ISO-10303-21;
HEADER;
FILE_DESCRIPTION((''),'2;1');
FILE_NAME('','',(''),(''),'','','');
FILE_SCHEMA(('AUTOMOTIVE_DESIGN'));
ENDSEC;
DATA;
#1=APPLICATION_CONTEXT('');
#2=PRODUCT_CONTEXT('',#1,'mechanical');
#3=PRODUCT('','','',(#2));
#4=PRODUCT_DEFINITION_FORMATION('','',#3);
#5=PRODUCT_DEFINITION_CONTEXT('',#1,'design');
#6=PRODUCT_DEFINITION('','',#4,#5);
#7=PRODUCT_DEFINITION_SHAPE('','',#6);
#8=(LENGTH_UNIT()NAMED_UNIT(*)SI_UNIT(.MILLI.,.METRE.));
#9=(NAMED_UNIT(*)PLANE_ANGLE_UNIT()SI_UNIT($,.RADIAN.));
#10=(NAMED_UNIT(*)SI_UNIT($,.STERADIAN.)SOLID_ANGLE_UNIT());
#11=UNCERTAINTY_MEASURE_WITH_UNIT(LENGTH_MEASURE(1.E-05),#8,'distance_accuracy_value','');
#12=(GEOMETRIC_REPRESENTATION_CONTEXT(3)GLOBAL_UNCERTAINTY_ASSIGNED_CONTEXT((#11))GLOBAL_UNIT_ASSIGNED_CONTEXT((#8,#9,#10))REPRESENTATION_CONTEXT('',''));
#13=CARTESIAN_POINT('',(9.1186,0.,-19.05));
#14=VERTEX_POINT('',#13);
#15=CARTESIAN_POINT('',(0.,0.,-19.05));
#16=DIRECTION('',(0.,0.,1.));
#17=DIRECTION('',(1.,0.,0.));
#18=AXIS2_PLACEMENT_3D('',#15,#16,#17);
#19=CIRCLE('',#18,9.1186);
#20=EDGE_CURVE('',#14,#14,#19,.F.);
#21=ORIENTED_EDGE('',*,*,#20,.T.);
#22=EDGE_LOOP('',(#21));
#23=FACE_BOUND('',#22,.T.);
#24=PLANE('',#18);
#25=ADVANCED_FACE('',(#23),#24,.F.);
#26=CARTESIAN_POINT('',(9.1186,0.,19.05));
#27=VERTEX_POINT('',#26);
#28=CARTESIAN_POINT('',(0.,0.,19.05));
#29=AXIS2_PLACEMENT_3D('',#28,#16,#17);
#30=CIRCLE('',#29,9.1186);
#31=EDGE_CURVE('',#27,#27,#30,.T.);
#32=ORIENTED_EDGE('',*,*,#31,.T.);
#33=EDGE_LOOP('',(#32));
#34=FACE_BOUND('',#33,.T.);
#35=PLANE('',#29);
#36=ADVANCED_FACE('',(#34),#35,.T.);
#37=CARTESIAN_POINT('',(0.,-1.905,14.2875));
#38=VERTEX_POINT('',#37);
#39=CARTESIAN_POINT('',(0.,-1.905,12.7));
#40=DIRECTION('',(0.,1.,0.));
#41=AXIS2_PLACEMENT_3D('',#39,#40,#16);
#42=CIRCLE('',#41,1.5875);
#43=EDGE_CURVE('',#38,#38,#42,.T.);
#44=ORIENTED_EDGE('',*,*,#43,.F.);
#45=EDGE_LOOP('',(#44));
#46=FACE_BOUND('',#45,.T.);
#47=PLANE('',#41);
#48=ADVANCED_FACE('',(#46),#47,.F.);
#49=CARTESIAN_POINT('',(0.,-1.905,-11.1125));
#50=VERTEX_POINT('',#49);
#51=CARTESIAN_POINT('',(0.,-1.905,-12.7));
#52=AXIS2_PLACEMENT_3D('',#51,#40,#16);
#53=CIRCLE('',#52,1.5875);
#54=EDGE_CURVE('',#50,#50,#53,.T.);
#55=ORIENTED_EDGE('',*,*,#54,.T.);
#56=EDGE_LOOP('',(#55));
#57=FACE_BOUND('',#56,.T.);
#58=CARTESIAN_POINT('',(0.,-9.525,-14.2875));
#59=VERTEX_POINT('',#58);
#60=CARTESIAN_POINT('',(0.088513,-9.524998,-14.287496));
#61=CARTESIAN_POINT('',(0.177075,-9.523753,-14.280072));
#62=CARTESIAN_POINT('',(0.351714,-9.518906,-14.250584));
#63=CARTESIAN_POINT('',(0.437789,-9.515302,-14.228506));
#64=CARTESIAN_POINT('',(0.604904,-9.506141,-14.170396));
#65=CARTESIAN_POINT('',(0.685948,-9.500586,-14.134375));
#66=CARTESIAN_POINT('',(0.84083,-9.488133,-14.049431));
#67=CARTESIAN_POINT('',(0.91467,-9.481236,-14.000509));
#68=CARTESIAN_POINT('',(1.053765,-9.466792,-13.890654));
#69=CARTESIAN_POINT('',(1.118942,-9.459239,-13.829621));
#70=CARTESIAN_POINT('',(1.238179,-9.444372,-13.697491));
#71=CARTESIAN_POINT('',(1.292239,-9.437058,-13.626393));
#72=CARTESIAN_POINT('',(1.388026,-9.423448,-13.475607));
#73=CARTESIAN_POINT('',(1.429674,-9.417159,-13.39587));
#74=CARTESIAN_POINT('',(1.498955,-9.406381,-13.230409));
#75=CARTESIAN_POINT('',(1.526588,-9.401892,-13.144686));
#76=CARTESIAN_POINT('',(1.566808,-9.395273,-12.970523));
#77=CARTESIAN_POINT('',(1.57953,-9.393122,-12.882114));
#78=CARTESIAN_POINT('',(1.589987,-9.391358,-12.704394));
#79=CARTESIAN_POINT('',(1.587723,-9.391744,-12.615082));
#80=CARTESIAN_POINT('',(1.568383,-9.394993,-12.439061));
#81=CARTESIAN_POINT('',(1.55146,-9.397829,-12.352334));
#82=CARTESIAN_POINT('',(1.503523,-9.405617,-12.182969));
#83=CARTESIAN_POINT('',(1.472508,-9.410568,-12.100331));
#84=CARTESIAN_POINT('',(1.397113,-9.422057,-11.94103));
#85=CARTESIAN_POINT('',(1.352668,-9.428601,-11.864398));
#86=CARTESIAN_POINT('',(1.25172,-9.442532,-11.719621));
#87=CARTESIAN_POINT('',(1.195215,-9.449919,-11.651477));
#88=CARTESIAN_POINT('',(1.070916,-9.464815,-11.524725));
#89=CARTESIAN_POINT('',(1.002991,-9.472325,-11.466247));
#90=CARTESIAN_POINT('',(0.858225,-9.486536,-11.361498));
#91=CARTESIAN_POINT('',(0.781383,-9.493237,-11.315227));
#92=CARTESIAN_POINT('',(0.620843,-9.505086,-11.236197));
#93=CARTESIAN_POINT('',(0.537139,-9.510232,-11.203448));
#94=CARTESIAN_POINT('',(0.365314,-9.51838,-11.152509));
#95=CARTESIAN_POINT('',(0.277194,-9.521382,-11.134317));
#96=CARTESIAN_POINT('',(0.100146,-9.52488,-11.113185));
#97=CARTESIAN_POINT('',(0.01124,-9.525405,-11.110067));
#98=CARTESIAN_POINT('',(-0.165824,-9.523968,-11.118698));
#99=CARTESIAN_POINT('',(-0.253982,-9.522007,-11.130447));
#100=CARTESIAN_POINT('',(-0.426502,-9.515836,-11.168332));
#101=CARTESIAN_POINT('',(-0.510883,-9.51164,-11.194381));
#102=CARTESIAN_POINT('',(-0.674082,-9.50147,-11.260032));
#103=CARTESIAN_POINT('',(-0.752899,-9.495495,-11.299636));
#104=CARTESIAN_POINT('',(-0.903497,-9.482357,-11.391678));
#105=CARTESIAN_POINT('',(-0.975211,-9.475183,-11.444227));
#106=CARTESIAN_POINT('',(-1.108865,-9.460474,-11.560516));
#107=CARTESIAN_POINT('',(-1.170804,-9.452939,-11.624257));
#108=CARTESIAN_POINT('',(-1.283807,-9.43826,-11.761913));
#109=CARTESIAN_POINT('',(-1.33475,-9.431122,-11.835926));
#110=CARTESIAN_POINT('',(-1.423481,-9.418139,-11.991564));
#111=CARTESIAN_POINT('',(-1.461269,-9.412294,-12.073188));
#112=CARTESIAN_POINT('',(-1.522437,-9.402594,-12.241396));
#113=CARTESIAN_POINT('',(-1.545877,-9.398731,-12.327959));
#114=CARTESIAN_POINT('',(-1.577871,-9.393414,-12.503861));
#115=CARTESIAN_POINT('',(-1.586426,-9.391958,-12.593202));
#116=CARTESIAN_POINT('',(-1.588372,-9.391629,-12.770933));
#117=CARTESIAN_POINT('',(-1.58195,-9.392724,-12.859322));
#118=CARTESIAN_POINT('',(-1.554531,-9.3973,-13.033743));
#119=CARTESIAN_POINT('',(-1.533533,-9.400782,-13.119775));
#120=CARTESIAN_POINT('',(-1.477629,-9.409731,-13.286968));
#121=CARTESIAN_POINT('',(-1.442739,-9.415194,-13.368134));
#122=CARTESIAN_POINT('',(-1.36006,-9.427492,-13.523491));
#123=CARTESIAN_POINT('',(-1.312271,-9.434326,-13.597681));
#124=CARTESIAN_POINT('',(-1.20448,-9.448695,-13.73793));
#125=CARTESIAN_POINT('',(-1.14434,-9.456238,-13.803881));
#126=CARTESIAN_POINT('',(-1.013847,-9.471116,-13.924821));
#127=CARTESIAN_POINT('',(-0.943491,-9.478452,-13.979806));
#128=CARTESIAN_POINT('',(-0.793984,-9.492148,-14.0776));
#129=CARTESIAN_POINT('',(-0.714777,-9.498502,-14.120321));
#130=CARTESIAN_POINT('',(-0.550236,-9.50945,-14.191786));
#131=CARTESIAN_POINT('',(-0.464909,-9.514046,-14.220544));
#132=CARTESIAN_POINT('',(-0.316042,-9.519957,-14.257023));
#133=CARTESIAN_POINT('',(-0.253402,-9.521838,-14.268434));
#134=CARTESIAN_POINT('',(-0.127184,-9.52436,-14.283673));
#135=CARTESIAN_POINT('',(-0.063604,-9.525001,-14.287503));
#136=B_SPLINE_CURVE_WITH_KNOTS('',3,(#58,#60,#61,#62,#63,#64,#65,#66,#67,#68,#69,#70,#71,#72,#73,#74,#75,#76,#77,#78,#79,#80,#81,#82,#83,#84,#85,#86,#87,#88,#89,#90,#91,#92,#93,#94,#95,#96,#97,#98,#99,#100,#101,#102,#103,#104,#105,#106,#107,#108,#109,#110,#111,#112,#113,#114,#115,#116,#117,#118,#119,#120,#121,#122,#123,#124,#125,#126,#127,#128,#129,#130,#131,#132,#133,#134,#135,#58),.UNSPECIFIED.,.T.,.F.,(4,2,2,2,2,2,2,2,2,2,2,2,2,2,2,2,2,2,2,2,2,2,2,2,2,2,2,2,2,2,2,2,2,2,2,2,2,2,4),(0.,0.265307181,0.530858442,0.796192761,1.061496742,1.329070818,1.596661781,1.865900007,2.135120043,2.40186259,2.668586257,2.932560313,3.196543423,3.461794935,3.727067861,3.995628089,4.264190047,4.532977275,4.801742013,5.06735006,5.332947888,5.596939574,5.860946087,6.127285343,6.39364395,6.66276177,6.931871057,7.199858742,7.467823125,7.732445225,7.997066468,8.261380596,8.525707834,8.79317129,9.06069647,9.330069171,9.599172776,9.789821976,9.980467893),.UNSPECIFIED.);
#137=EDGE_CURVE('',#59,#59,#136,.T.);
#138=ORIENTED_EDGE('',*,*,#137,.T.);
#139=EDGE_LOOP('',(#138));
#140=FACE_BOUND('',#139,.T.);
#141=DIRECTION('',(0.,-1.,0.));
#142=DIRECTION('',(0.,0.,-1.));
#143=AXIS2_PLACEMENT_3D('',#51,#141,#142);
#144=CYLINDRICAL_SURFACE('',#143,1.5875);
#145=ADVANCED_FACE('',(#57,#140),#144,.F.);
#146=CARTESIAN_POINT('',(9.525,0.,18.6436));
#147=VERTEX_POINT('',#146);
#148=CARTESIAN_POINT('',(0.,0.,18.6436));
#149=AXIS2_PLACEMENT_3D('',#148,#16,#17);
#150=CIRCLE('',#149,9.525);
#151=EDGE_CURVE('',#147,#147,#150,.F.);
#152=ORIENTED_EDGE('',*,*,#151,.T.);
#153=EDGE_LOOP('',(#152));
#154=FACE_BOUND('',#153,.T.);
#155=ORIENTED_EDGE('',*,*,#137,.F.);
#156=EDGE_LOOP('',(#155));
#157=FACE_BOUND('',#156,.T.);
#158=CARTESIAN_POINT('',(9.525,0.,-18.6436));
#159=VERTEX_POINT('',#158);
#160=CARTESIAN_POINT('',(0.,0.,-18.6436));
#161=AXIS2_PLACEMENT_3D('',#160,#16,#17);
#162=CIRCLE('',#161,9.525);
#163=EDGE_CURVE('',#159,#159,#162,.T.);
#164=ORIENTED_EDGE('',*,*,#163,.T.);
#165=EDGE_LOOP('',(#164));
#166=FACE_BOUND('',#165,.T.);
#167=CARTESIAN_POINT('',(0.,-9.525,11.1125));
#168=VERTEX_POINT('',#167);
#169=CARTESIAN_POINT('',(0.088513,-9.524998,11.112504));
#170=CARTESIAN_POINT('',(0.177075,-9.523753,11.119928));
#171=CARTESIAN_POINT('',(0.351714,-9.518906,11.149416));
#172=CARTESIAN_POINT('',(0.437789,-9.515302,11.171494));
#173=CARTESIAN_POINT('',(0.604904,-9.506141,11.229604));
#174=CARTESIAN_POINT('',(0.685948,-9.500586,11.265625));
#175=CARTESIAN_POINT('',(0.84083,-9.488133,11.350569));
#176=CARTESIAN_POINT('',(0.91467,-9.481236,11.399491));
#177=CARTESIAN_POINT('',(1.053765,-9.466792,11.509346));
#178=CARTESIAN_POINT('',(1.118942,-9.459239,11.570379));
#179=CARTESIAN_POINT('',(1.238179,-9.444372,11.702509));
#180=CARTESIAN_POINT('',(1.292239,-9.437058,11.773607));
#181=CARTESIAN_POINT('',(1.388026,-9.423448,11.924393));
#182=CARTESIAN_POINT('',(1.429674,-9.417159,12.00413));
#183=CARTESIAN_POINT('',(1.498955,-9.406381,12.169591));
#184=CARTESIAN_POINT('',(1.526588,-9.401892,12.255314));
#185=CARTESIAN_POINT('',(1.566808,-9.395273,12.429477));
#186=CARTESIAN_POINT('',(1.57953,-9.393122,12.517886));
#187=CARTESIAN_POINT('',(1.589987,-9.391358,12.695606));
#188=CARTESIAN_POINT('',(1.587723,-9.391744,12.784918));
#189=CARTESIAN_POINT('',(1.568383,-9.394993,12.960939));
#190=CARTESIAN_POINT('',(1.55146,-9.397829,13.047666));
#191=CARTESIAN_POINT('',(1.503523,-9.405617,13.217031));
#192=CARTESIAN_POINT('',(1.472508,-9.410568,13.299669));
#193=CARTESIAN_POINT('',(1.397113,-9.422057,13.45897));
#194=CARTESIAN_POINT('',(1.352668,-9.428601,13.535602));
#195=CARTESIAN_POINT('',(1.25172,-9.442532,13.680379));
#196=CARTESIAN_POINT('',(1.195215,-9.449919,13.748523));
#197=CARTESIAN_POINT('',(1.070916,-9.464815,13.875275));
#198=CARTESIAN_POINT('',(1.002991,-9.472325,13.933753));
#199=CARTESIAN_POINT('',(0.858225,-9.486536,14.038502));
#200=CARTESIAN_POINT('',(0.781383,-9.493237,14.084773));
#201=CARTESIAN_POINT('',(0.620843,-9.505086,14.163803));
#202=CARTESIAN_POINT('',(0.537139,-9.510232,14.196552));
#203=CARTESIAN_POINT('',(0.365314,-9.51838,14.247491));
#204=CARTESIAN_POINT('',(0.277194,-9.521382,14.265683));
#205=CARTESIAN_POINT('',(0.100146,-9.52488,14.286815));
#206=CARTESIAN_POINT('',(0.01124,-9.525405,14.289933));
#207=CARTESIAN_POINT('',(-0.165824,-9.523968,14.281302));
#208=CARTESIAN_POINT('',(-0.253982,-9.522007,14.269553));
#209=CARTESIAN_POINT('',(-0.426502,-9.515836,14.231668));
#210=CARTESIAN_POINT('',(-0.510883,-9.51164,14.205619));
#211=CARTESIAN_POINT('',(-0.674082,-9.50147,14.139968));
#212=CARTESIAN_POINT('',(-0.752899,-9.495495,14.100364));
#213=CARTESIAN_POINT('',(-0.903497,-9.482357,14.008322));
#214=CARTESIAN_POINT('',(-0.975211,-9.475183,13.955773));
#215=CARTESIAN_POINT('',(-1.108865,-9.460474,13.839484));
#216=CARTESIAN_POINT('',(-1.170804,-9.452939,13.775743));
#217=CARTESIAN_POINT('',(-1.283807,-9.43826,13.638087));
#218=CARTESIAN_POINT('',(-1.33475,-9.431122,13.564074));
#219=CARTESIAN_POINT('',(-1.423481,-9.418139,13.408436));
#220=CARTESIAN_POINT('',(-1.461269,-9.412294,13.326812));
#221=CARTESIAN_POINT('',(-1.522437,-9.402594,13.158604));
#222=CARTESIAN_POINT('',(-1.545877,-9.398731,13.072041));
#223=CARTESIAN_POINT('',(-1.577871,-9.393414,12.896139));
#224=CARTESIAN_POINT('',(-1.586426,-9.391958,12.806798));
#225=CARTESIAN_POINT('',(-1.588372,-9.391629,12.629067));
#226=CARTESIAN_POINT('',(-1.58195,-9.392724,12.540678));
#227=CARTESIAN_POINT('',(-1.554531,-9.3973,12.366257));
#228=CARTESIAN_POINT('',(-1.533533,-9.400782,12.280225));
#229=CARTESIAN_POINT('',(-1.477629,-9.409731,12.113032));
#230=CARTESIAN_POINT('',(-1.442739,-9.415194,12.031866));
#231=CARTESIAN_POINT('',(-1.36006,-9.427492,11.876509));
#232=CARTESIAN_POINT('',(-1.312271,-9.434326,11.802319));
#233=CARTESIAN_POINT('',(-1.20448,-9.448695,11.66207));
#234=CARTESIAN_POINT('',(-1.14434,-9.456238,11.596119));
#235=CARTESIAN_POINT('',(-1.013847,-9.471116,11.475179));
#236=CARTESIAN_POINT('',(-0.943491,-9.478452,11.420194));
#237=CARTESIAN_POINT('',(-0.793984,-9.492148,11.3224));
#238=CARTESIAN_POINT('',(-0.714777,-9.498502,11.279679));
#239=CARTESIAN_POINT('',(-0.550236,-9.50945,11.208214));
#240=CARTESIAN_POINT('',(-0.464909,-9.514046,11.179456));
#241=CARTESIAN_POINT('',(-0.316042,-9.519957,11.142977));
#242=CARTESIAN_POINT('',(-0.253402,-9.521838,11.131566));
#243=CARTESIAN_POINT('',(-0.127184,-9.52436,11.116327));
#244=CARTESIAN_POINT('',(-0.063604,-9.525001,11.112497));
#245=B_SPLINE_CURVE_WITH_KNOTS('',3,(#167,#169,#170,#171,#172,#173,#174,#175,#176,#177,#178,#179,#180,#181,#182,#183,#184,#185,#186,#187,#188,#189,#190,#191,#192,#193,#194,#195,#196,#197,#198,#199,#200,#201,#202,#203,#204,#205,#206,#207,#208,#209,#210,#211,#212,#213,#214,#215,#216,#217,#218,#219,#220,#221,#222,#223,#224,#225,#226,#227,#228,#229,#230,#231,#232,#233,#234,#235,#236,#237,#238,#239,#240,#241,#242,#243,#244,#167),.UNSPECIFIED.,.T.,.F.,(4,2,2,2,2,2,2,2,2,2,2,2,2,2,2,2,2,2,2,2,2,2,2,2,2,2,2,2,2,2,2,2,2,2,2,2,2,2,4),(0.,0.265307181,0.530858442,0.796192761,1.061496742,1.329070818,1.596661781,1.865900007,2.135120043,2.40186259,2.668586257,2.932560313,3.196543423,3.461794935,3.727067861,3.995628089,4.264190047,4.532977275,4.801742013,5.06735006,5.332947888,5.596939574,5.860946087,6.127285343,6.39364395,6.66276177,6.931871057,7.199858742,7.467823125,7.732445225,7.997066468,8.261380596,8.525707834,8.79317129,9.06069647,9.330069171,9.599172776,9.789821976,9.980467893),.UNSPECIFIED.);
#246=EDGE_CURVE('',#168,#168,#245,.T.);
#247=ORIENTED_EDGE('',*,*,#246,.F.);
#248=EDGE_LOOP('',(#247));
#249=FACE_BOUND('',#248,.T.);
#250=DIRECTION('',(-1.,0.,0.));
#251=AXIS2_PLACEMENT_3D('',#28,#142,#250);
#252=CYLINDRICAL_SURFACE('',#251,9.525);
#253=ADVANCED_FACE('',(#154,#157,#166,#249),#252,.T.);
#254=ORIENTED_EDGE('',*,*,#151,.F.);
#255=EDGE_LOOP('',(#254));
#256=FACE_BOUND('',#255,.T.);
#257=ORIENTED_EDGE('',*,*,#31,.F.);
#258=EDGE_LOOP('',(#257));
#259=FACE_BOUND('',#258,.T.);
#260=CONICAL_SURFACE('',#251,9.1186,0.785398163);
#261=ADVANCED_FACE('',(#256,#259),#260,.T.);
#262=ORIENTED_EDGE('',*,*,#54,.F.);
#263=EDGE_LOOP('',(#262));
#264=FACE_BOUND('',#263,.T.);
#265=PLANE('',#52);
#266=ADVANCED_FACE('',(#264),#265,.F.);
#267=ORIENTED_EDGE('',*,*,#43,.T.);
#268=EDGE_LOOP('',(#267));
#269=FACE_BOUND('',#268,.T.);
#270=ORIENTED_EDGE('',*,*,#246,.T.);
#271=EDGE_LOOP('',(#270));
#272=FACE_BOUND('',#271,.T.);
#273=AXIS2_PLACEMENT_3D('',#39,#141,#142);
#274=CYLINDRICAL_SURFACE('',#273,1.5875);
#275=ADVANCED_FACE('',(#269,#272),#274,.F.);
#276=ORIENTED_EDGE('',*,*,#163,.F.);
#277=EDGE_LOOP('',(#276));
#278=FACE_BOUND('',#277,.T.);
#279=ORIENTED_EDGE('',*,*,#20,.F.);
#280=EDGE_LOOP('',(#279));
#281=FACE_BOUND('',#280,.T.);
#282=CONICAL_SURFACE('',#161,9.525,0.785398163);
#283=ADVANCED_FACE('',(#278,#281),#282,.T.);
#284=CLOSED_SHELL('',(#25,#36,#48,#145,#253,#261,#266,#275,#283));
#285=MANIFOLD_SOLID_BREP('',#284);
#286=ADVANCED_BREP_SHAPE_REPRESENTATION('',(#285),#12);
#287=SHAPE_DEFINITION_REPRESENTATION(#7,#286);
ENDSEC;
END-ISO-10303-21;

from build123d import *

# Parameters (mm, degrees)
SKETCH1_R         = 9.525
EXTRUDE1_DEPTH    = 19.05
CHAMFER1_SIZE     = 0.4064
SKETCH6_R         = 1.5875
BLIND_HOLES_DEPTH = 7.62


with BuildPart() as part:
    # Sketch1 → Extrude1 (new body, symmetric)
    with BuildSketch(Plane.XY):
        Circle(SKETCH1_R)
    extrude(amount=EXTRUDE1_DEPTH, both=True)

    # Chamfer1
    chamfer1_edges = [part.edges().sort_by_distance(p)[0] for p in [
        (-9.525, 0, -19.05),
        (-9.525, 0, 19.05),
    ]]
    chamfer(chamfer1_edges, length=CHAMFER1_SIZE)

    # Sketch6 → Blind Holes (cut)
    with BuildSketch(Plane(origin=(0, -9.525, 0), x_dir=(-1, 0, 0), z_dir=(0, 1, 0))):
        with Locations(Location((0, 12.7, 0), (0, 0, 270))):  # turned: the seam where the file's is
            Circle(SKETCH6_R)
        with Locations(Location((0, -12.7, 0), (0, 0, 270))):  # turned: the seam where the file's is
            Circle(SKETCH6_R)
    extrude(amount=BLIND_HOLES_DEPTH, mode=Mode.SUBTRACT)


solid = part.part
